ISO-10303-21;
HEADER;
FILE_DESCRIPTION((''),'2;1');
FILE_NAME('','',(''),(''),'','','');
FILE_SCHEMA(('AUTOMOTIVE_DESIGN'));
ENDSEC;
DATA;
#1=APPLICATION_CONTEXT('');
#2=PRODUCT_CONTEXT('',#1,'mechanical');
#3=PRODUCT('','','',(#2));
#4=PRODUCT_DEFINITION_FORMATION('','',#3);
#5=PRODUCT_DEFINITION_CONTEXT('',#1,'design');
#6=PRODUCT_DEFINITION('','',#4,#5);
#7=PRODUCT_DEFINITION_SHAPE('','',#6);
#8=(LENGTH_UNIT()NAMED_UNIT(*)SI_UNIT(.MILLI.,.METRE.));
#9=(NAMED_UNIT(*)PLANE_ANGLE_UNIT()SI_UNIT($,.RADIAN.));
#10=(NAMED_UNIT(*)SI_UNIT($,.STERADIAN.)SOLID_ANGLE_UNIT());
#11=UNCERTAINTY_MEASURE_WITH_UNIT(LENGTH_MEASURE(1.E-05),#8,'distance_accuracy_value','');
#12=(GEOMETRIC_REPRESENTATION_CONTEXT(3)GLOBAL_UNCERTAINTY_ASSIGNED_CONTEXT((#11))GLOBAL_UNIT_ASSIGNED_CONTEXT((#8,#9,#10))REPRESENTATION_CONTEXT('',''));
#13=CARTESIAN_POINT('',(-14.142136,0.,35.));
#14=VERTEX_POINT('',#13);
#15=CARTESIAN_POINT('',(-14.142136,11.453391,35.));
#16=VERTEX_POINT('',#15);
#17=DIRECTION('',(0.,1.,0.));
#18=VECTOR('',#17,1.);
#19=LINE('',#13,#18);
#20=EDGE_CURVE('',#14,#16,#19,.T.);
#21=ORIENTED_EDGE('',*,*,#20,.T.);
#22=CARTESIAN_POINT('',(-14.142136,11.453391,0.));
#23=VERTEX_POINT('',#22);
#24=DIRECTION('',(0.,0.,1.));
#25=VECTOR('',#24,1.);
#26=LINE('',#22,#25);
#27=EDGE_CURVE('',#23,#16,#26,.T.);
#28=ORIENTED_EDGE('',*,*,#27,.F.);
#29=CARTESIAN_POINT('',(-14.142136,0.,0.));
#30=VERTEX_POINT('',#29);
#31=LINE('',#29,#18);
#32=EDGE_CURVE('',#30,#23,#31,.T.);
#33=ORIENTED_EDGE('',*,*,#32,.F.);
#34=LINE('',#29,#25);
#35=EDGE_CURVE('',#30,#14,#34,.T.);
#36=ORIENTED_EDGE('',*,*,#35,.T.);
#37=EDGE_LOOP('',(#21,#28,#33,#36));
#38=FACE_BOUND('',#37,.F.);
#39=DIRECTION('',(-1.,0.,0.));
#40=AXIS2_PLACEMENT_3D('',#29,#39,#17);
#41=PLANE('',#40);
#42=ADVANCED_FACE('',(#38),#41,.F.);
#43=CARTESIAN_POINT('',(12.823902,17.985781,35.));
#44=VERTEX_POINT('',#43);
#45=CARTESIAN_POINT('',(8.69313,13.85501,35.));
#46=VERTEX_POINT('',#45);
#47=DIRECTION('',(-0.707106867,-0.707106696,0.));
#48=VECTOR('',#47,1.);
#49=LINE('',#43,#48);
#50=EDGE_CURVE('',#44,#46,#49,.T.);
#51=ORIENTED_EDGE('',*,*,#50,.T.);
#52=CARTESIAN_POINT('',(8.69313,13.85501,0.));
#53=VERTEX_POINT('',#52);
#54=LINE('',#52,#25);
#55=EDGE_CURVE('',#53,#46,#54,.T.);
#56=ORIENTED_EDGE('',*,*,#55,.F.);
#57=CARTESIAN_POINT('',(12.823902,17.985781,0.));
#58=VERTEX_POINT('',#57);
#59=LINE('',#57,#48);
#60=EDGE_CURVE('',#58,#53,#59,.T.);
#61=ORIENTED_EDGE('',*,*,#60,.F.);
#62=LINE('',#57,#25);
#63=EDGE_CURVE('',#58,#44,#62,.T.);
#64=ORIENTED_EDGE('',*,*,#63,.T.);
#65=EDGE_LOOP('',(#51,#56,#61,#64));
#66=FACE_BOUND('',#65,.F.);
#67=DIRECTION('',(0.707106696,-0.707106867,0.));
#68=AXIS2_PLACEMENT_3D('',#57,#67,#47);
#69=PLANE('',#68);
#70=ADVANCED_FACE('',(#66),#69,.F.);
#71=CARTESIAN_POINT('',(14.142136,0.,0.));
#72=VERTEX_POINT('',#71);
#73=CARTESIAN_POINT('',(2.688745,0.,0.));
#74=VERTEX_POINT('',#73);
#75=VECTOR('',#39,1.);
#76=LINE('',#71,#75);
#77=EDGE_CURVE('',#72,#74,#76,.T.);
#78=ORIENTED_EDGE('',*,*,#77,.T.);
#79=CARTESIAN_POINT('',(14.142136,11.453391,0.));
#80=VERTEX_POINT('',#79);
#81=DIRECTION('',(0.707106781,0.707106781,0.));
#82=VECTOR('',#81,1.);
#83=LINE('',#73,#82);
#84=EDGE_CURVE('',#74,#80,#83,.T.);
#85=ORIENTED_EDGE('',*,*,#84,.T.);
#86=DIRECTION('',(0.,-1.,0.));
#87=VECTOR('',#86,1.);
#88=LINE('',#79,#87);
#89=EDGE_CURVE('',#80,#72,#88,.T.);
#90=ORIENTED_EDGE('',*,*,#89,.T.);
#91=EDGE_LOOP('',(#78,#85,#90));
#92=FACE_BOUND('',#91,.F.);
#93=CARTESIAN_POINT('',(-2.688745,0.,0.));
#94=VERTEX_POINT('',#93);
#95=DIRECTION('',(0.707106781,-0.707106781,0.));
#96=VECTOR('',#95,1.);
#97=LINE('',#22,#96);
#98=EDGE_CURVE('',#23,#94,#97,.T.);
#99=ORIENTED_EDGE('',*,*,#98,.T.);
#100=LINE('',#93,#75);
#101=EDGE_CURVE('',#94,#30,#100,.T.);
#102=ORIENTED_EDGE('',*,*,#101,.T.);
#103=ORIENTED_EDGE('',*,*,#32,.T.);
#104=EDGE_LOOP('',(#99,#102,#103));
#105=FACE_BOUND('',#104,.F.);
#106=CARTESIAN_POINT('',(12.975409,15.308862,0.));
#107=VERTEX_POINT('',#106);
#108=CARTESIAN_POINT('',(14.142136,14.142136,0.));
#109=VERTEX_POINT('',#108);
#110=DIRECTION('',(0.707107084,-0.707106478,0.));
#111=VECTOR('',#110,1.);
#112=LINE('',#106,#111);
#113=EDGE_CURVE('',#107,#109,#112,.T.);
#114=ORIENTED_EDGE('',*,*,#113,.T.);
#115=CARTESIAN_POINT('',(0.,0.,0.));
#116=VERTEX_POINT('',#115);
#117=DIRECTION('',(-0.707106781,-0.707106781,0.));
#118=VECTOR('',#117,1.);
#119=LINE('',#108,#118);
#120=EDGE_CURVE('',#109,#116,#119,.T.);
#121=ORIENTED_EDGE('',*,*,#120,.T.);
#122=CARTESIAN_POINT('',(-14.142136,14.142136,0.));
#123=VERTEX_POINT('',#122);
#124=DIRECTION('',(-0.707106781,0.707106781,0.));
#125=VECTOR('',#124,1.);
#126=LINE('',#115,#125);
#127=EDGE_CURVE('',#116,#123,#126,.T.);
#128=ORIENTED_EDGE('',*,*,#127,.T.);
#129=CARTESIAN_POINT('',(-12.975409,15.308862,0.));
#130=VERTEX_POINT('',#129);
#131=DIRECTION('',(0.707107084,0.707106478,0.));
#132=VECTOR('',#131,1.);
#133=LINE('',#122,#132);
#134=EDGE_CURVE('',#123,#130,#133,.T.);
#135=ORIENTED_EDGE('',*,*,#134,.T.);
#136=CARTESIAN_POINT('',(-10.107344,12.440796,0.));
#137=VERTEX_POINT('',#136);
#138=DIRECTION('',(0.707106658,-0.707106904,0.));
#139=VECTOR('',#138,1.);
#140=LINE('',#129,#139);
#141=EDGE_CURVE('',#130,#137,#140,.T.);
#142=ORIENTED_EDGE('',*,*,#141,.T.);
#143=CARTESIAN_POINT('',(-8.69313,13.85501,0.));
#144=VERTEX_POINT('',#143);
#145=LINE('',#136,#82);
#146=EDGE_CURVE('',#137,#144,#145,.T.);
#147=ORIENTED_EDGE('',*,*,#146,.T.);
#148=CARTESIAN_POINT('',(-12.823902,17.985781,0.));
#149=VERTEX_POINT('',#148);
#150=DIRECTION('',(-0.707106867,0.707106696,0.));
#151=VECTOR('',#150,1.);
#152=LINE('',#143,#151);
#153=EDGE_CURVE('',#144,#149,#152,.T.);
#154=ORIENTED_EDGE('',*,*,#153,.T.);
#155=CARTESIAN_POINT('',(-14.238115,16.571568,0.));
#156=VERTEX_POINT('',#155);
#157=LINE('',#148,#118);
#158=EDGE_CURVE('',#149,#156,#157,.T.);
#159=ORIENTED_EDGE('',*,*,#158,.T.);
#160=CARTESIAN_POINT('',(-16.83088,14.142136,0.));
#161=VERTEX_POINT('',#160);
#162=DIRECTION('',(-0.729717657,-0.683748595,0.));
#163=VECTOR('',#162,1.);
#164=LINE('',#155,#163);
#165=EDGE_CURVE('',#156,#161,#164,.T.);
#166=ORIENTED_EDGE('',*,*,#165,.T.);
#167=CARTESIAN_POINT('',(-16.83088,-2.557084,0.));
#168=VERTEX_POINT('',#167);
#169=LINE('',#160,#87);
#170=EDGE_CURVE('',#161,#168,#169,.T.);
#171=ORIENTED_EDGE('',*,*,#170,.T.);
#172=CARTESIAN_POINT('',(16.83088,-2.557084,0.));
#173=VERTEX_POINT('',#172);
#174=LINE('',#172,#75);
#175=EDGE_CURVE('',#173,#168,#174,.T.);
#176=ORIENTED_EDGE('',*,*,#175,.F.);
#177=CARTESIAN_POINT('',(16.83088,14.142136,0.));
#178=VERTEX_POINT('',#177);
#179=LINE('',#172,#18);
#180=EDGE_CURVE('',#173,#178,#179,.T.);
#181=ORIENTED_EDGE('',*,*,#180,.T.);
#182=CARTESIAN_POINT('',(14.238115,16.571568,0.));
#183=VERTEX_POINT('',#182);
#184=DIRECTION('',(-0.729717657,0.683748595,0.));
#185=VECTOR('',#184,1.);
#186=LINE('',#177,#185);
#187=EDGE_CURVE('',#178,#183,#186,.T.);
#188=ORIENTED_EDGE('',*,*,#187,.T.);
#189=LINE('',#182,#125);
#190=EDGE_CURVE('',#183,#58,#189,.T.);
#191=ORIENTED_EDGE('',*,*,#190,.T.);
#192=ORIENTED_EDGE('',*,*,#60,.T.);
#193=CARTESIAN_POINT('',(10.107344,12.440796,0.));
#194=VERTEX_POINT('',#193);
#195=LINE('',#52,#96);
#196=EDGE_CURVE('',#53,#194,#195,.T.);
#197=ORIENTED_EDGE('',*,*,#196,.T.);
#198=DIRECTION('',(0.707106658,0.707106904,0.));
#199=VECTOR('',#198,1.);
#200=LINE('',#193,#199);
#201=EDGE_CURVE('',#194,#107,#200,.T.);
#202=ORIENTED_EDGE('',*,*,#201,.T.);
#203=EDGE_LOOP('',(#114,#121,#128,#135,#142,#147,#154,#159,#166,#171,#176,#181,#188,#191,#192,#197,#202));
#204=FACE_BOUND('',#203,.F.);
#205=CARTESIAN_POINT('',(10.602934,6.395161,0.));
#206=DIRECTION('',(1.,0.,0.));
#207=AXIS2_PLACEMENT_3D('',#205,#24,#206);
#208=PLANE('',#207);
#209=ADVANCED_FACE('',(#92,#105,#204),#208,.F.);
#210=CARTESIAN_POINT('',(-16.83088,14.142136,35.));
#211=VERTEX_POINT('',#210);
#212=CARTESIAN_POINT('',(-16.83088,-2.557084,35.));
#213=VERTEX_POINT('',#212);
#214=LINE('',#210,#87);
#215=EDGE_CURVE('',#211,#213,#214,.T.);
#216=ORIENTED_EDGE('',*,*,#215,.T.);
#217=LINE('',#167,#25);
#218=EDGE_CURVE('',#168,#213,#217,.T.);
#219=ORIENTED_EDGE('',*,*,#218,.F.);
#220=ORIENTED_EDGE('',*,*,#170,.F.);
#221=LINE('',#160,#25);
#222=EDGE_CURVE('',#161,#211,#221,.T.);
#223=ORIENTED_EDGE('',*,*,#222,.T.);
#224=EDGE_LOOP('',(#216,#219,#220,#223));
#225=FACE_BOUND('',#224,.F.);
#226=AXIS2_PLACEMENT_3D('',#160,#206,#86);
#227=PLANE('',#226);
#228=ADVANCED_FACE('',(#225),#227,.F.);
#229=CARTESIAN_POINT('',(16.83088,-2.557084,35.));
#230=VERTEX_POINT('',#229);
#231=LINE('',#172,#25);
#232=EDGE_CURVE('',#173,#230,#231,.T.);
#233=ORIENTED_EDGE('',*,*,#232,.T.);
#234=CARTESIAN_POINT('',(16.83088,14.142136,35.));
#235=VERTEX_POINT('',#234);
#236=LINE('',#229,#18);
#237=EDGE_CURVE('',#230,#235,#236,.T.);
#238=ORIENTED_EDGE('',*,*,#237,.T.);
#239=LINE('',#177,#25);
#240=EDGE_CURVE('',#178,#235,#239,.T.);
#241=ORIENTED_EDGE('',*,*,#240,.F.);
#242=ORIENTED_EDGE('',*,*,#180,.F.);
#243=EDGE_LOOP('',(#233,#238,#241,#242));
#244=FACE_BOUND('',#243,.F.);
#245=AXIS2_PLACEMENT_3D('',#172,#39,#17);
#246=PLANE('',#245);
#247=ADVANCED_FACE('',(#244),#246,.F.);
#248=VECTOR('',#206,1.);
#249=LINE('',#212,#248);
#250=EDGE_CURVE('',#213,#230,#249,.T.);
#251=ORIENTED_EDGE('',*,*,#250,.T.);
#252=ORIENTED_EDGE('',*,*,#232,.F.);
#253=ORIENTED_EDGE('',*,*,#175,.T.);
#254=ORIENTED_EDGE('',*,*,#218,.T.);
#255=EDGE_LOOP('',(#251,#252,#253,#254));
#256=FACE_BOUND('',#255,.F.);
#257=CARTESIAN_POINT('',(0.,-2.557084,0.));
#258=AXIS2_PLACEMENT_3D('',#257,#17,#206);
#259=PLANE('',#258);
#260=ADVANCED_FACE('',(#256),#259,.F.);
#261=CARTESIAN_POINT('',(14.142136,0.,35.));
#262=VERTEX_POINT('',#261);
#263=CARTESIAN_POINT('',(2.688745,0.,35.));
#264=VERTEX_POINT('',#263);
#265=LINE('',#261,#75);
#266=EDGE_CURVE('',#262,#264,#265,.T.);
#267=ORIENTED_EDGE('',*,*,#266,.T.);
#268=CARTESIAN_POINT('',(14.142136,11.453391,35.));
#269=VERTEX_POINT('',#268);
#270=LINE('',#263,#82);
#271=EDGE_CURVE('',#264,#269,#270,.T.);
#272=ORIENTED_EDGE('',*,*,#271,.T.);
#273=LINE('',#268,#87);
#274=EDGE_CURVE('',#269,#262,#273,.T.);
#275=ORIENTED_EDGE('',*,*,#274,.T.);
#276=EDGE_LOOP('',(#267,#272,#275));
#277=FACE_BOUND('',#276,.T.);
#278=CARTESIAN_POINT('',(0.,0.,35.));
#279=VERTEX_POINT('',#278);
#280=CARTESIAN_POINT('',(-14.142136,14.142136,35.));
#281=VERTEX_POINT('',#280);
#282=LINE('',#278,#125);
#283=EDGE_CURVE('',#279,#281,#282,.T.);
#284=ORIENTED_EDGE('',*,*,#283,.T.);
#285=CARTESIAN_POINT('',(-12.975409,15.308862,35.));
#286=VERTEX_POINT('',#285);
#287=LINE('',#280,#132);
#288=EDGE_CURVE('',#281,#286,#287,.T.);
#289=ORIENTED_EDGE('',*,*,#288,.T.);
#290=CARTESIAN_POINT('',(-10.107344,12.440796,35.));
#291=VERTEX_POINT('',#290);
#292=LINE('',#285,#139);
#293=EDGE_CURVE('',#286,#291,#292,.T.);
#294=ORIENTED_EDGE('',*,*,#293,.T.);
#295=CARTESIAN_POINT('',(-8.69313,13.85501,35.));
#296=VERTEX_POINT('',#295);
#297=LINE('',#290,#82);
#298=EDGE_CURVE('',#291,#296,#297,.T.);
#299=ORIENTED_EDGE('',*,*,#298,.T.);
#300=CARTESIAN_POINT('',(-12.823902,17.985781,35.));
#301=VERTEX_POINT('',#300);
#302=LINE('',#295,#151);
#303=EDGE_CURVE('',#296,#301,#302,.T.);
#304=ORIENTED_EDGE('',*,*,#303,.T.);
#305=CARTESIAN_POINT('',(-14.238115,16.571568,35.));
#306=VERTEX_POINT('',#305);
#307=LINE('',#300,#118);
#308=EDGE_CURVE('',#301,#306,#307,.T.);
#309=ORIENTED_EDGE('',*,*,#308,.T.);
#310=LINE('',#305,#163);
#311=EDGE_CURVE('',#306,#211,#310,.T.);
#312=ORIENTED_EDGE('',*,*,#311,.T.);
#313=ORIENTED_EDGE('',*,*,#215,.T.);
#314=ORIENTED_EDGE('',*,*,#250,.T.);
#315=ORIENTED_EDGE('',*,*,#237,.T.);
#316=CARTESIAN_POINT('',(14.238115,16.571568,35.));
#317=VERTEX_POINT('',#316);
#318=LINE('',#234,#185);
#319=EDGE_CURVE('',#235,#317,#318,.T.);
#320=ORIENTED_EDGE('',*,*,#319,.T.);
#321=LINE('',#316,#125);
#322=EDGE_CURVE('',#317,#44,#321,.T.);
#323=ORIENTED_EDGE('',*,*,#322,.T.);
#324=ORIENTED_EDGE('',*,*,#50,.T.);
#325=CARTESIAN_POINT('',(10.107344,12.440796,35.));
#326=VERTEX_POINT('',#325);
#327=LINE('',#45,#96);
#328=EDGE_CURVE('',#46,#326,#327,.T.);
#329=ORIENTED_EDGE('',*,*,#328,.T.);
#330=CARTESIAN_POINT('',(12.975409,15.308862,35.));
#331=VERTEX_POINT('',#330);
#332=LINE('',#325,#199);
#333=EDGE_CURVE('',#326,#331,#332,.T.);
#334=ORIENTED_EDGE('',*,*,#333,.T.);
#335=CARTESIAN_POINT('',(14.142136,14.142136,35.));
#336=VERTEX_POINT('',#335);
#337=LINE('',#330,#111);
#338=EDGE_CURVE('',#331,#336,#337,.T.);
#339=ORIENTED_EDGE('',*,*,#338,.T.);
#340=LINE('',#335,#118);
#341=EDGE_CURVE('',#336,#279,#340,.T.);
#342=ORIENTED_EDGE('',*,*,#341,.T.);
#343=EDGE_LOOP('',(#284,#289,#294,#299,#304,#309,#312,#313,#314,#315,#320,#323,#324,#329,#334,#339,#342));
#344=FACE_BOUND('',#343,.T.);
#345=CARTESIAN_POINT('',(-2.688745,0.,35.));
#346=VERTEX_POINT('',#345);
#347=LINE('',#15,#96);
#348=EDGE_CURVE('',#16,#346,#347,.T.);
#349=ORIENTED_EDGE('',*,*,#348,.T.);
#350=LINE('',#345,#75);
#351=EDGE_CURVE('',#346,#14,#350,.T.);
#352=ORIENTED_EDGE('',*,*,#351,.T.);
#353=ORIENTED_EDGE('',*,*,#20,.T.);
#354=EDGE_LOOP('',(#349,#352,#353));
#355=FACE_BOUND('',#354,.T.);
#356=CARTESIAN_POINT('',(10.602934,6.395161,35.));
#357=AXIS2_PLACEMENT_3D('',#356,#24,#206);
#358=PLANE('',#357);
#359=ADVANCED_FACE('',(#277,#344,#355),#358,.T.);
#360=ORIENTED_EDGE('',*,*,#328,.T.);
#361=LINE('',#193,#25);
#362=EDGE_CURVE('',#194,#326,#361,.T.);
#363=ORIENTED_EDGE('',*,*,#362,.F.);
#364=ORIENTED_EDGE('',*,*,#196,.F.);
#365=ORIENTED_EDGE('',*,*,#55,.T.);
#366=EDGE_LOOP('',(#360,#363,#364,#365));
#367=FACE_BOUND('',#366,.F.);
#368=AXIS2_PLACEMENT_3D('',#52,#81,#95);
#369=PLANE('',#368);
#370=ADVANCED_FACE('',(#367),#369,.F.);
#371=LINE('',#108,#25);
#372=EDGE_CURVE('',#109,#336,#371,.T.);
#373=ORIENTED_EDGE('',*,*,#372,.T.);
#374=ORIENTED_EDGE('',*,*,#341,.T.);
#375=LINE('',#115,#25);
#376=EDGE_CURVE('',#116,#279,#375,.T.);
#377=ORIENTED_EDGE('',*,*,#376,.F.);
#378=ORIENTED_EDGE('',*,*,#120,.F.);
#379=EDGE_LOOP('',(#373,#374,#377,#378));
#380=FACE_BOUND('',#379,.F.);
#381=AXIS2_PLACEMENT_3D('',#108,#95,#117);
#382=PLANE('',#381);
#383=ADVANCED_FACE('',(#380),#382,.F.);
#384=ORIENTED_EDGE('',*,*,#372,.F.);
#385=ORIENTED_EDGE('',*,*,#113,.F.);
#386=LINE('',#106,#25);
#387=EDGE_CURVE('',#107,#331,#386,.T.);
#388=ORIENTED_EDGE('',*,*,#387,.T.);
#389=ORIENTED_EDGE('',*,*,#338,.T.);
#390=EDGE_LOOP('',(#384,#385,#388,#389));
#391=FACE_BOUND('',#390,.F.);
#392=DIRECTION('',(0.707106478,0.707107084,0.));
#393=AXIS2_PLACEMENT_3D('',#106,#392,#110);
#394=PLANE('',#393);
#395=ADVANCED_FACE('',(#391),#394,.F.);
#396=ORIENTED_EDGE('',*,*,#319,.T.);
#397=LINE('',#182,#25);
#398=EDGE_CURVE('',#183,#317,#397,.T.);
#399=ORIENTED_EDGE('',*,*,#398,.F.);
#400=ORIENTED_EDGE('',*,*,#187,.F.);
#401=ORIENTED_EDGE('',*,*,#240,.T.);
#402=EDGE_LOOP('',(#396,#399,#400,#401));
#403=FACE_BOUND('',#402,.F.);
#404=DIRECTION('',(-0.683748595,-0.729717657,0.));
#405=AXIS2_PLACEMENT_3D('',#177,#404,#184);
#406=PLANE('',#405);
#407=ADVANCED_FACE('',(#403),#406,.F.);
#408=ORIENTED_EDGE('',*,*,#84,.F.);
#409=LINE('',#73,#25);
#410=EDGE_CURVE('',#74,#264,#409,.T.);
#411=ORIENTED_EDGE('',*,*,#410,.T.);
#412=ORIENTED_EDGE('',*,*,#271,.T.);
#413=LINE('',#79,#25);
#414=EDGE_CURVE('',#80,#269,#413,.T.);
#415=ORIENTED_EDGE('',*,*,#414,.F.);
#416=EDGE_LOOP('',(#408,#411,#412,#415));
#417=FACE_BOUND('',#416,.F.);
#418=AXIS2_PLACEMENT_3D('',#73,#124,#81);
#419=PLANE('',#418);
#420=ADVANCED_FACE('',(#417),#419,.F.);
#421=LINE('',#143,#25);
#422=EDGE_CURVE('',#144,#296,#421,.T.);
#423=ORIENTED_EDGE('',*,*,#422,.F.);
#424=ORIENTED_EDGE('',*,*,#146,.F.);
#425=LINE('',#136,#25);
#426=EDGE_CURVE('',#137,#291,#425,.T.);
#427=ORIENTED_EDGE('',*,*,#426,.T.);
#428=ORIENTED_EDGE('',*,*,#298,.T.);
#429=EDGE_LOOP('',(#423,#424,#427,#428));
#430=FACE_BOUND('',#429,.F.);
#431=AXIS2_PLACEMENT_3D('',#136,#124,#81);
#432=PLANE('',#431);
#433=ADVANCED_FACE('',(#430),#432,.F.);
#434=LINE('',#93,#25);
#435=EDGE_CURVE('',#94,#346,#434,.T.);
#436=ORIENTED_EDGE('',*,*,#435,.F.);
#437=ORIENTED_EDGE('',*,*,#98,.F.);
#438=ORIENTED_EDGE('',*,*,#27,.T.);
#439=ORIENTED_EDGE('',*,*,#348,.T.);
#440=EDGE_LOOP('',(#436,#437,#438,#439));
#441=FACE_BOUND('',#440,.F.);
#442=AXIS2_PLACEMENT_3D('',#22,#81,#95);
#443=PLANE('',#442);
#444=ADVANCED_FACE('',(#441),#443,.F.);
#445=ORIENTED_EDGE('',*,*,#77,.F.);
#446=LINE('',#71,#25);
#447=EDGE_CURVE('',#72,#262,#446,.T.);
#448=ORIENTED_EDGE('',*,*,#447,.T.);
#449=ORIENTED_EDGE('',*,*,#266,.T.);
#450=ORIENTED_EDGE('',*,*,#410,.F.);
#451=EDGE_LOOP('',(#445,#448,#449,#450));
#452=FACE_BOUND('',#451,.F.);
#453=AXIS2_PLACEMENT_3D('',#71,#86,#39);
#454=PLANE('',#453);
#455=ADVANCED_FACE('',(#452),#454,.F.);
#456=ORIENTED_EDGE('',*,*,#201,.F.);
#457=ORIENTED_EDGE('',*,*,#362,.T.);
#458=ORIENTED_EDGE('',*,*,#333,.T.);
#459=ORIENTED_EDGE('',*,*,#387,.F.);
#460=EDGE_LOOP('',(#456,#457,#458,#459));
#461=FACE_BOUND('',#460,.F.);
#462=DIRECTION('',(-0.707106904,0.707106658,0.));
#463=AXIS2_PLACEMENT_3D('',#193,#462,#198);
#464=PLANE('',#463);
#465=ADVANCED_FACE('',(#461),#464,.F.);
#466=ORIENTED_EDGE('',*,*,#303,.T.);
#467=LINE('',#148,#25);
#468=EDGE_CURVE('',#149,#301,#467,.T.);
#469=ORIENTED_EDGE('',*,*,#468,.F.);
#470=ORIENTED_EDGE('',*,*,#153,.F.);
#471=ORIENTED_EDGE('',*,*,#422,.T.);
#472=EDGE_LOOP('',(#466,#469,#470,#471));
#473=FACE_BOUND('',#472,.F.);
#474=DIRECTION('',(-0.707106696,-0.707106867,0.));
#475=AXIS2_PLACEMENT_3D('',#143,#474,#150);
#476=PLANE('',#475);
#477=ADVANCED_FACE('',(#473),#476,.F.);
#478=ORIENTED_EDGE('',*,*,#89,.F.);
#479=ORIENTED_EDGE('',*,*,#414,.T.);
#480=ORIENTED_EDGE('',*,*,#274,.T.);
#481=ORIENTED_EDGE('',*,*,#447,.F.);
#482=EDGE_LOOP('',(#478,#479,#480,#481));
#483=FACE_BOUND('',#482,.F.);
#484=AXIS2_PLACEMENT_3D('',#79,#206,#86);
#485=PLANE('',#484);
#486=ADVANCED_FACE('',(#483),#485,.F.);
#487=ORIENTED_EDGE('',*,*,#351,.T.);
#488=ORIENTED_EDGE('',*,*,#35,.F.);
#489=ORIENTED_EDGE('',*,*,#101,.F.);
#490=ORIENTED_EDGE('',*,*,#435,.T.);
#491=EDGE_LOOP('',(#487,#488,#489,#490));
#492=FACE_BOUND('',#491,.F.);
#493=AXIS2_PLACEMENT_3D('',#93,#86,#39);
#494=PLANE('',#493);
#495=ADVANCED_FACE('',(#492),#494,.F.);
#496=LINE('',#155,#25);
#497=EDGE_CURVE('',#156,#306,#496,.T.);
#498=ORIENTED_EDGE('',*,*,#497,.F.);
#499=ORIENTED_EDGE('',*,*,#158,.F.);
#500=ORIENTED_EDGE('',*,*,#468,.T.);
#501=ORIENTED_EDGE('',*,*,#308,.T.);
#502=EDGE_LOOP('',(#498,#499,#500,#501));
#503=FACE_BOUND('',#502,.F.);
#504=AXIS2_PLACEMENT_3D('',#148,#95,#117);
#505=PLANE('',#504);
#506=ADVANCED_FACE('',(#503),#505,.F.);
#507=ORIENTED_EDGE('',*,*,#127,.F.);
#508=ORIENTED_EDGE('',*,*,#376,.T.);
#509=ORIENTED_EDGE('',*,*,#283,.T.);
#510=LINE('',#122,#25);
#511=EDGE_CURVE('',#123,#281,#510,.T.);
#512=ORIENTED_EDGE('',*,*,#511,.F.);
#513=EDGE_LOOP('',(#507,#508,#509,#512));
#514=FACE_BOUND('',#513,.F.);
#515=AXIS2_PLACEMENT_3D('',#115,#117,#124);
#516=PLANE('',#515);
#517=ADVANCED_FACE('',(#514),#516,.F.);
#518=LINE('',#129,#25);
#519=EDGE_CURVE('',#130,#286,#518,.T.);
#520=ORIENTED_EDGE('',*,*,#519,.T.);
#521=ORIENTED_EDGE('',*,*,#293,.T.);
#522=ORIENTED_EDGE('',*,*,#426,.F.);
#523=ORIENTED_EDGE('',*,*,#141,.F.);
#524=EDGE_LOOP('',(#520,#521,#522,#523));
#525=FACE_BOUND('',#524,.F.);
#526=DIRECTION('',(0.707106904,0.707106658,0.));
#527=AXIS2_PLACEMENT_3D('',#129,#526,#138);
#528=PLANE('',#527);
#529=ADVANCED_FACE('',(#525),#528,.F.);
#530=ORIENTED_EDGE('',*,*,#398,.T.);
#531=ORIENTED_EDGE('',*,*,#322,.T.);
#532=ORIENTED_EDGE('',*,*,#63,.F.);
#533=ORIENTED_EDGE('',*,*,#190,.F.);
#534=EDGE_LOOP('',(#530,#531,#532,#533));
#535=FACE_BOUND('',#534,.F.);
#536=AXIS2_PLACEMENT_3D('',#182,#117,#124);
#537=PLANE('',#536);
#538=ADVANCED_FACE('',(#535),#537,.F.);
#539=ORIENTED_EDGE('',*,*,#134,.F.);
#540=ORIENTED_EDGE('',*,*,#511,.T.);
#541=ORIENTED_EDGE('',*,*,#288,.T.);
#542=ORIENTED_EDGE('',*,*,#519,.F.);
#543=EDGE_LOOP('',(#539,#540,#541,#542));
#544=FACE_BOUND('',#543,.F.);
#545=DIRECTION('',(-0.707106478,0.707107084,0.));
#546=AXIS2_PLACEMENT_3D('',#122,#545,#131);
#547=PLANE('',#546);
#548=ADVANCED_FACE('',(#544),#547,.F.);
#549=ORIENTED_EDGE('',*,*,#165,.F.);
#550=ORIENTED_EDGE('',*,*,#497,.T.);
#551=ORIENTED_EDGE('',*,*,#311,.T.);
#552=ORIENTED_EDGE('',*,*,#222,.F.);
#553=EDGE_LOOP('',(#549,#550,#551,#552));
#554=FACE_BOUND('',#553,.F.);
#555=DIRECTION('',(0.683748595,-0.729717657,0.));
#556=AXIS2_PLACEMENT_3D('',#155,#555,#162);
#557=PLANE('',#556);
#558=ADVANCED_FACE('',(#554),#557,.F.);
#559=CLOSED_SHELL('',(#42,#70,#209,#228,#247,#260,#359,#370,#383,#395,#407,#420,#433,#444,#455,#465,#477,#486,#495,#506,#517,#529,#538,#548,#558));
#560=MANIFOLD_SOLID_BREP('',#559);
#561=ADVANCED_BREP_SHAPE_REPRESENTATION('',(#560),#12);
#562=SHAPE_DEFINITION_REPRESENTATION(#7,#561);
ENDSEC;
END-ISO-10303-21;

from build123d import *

# Parameters (mm, degrees)
F2_DEPTH = 35


with BuildPart() as f2:
    # F1 (on Top) + F0 (on Top) → F2 (new body)
    with BuildSketch(Plane.XY):
        Polygon((-16.83088, -2.557084), (0, -2.557084), (0, 0), (-14.142136, 14.142136), (-12.975409, 15.308862), (-10.107344, 12.440796), (-8.69313, 13.85501), (-12.823902, 17.985781), (-14.238115, 16.571568), (-16.83088, 14.142136), align=None)
        Polygon((-14.142136, 11.453391), (-2.688745, 0), (-14.142136, 0), align=None, mode=Mode.SUBTRACT)
    with BuildSketch(Plane.XY):
        Polygon((14.142136, 14.142136), (0, 0), (0, -2.557084), (16.83088, -2.557084), (16.83088, 14.142136), (14.238115, 16.571568), (12.823902, 17.985781), (8.69313, 13.85501), (10.107344, 12.440796), (12.975409, 15.308862), align=None)
        Polygon((2.688745, 0), (14.142136, 11.453391), (14.142136, 0), align=None, mode=Mode.SUBTRACT)
    extrude(amount=F2_DEPTH)


solid = f2.part
